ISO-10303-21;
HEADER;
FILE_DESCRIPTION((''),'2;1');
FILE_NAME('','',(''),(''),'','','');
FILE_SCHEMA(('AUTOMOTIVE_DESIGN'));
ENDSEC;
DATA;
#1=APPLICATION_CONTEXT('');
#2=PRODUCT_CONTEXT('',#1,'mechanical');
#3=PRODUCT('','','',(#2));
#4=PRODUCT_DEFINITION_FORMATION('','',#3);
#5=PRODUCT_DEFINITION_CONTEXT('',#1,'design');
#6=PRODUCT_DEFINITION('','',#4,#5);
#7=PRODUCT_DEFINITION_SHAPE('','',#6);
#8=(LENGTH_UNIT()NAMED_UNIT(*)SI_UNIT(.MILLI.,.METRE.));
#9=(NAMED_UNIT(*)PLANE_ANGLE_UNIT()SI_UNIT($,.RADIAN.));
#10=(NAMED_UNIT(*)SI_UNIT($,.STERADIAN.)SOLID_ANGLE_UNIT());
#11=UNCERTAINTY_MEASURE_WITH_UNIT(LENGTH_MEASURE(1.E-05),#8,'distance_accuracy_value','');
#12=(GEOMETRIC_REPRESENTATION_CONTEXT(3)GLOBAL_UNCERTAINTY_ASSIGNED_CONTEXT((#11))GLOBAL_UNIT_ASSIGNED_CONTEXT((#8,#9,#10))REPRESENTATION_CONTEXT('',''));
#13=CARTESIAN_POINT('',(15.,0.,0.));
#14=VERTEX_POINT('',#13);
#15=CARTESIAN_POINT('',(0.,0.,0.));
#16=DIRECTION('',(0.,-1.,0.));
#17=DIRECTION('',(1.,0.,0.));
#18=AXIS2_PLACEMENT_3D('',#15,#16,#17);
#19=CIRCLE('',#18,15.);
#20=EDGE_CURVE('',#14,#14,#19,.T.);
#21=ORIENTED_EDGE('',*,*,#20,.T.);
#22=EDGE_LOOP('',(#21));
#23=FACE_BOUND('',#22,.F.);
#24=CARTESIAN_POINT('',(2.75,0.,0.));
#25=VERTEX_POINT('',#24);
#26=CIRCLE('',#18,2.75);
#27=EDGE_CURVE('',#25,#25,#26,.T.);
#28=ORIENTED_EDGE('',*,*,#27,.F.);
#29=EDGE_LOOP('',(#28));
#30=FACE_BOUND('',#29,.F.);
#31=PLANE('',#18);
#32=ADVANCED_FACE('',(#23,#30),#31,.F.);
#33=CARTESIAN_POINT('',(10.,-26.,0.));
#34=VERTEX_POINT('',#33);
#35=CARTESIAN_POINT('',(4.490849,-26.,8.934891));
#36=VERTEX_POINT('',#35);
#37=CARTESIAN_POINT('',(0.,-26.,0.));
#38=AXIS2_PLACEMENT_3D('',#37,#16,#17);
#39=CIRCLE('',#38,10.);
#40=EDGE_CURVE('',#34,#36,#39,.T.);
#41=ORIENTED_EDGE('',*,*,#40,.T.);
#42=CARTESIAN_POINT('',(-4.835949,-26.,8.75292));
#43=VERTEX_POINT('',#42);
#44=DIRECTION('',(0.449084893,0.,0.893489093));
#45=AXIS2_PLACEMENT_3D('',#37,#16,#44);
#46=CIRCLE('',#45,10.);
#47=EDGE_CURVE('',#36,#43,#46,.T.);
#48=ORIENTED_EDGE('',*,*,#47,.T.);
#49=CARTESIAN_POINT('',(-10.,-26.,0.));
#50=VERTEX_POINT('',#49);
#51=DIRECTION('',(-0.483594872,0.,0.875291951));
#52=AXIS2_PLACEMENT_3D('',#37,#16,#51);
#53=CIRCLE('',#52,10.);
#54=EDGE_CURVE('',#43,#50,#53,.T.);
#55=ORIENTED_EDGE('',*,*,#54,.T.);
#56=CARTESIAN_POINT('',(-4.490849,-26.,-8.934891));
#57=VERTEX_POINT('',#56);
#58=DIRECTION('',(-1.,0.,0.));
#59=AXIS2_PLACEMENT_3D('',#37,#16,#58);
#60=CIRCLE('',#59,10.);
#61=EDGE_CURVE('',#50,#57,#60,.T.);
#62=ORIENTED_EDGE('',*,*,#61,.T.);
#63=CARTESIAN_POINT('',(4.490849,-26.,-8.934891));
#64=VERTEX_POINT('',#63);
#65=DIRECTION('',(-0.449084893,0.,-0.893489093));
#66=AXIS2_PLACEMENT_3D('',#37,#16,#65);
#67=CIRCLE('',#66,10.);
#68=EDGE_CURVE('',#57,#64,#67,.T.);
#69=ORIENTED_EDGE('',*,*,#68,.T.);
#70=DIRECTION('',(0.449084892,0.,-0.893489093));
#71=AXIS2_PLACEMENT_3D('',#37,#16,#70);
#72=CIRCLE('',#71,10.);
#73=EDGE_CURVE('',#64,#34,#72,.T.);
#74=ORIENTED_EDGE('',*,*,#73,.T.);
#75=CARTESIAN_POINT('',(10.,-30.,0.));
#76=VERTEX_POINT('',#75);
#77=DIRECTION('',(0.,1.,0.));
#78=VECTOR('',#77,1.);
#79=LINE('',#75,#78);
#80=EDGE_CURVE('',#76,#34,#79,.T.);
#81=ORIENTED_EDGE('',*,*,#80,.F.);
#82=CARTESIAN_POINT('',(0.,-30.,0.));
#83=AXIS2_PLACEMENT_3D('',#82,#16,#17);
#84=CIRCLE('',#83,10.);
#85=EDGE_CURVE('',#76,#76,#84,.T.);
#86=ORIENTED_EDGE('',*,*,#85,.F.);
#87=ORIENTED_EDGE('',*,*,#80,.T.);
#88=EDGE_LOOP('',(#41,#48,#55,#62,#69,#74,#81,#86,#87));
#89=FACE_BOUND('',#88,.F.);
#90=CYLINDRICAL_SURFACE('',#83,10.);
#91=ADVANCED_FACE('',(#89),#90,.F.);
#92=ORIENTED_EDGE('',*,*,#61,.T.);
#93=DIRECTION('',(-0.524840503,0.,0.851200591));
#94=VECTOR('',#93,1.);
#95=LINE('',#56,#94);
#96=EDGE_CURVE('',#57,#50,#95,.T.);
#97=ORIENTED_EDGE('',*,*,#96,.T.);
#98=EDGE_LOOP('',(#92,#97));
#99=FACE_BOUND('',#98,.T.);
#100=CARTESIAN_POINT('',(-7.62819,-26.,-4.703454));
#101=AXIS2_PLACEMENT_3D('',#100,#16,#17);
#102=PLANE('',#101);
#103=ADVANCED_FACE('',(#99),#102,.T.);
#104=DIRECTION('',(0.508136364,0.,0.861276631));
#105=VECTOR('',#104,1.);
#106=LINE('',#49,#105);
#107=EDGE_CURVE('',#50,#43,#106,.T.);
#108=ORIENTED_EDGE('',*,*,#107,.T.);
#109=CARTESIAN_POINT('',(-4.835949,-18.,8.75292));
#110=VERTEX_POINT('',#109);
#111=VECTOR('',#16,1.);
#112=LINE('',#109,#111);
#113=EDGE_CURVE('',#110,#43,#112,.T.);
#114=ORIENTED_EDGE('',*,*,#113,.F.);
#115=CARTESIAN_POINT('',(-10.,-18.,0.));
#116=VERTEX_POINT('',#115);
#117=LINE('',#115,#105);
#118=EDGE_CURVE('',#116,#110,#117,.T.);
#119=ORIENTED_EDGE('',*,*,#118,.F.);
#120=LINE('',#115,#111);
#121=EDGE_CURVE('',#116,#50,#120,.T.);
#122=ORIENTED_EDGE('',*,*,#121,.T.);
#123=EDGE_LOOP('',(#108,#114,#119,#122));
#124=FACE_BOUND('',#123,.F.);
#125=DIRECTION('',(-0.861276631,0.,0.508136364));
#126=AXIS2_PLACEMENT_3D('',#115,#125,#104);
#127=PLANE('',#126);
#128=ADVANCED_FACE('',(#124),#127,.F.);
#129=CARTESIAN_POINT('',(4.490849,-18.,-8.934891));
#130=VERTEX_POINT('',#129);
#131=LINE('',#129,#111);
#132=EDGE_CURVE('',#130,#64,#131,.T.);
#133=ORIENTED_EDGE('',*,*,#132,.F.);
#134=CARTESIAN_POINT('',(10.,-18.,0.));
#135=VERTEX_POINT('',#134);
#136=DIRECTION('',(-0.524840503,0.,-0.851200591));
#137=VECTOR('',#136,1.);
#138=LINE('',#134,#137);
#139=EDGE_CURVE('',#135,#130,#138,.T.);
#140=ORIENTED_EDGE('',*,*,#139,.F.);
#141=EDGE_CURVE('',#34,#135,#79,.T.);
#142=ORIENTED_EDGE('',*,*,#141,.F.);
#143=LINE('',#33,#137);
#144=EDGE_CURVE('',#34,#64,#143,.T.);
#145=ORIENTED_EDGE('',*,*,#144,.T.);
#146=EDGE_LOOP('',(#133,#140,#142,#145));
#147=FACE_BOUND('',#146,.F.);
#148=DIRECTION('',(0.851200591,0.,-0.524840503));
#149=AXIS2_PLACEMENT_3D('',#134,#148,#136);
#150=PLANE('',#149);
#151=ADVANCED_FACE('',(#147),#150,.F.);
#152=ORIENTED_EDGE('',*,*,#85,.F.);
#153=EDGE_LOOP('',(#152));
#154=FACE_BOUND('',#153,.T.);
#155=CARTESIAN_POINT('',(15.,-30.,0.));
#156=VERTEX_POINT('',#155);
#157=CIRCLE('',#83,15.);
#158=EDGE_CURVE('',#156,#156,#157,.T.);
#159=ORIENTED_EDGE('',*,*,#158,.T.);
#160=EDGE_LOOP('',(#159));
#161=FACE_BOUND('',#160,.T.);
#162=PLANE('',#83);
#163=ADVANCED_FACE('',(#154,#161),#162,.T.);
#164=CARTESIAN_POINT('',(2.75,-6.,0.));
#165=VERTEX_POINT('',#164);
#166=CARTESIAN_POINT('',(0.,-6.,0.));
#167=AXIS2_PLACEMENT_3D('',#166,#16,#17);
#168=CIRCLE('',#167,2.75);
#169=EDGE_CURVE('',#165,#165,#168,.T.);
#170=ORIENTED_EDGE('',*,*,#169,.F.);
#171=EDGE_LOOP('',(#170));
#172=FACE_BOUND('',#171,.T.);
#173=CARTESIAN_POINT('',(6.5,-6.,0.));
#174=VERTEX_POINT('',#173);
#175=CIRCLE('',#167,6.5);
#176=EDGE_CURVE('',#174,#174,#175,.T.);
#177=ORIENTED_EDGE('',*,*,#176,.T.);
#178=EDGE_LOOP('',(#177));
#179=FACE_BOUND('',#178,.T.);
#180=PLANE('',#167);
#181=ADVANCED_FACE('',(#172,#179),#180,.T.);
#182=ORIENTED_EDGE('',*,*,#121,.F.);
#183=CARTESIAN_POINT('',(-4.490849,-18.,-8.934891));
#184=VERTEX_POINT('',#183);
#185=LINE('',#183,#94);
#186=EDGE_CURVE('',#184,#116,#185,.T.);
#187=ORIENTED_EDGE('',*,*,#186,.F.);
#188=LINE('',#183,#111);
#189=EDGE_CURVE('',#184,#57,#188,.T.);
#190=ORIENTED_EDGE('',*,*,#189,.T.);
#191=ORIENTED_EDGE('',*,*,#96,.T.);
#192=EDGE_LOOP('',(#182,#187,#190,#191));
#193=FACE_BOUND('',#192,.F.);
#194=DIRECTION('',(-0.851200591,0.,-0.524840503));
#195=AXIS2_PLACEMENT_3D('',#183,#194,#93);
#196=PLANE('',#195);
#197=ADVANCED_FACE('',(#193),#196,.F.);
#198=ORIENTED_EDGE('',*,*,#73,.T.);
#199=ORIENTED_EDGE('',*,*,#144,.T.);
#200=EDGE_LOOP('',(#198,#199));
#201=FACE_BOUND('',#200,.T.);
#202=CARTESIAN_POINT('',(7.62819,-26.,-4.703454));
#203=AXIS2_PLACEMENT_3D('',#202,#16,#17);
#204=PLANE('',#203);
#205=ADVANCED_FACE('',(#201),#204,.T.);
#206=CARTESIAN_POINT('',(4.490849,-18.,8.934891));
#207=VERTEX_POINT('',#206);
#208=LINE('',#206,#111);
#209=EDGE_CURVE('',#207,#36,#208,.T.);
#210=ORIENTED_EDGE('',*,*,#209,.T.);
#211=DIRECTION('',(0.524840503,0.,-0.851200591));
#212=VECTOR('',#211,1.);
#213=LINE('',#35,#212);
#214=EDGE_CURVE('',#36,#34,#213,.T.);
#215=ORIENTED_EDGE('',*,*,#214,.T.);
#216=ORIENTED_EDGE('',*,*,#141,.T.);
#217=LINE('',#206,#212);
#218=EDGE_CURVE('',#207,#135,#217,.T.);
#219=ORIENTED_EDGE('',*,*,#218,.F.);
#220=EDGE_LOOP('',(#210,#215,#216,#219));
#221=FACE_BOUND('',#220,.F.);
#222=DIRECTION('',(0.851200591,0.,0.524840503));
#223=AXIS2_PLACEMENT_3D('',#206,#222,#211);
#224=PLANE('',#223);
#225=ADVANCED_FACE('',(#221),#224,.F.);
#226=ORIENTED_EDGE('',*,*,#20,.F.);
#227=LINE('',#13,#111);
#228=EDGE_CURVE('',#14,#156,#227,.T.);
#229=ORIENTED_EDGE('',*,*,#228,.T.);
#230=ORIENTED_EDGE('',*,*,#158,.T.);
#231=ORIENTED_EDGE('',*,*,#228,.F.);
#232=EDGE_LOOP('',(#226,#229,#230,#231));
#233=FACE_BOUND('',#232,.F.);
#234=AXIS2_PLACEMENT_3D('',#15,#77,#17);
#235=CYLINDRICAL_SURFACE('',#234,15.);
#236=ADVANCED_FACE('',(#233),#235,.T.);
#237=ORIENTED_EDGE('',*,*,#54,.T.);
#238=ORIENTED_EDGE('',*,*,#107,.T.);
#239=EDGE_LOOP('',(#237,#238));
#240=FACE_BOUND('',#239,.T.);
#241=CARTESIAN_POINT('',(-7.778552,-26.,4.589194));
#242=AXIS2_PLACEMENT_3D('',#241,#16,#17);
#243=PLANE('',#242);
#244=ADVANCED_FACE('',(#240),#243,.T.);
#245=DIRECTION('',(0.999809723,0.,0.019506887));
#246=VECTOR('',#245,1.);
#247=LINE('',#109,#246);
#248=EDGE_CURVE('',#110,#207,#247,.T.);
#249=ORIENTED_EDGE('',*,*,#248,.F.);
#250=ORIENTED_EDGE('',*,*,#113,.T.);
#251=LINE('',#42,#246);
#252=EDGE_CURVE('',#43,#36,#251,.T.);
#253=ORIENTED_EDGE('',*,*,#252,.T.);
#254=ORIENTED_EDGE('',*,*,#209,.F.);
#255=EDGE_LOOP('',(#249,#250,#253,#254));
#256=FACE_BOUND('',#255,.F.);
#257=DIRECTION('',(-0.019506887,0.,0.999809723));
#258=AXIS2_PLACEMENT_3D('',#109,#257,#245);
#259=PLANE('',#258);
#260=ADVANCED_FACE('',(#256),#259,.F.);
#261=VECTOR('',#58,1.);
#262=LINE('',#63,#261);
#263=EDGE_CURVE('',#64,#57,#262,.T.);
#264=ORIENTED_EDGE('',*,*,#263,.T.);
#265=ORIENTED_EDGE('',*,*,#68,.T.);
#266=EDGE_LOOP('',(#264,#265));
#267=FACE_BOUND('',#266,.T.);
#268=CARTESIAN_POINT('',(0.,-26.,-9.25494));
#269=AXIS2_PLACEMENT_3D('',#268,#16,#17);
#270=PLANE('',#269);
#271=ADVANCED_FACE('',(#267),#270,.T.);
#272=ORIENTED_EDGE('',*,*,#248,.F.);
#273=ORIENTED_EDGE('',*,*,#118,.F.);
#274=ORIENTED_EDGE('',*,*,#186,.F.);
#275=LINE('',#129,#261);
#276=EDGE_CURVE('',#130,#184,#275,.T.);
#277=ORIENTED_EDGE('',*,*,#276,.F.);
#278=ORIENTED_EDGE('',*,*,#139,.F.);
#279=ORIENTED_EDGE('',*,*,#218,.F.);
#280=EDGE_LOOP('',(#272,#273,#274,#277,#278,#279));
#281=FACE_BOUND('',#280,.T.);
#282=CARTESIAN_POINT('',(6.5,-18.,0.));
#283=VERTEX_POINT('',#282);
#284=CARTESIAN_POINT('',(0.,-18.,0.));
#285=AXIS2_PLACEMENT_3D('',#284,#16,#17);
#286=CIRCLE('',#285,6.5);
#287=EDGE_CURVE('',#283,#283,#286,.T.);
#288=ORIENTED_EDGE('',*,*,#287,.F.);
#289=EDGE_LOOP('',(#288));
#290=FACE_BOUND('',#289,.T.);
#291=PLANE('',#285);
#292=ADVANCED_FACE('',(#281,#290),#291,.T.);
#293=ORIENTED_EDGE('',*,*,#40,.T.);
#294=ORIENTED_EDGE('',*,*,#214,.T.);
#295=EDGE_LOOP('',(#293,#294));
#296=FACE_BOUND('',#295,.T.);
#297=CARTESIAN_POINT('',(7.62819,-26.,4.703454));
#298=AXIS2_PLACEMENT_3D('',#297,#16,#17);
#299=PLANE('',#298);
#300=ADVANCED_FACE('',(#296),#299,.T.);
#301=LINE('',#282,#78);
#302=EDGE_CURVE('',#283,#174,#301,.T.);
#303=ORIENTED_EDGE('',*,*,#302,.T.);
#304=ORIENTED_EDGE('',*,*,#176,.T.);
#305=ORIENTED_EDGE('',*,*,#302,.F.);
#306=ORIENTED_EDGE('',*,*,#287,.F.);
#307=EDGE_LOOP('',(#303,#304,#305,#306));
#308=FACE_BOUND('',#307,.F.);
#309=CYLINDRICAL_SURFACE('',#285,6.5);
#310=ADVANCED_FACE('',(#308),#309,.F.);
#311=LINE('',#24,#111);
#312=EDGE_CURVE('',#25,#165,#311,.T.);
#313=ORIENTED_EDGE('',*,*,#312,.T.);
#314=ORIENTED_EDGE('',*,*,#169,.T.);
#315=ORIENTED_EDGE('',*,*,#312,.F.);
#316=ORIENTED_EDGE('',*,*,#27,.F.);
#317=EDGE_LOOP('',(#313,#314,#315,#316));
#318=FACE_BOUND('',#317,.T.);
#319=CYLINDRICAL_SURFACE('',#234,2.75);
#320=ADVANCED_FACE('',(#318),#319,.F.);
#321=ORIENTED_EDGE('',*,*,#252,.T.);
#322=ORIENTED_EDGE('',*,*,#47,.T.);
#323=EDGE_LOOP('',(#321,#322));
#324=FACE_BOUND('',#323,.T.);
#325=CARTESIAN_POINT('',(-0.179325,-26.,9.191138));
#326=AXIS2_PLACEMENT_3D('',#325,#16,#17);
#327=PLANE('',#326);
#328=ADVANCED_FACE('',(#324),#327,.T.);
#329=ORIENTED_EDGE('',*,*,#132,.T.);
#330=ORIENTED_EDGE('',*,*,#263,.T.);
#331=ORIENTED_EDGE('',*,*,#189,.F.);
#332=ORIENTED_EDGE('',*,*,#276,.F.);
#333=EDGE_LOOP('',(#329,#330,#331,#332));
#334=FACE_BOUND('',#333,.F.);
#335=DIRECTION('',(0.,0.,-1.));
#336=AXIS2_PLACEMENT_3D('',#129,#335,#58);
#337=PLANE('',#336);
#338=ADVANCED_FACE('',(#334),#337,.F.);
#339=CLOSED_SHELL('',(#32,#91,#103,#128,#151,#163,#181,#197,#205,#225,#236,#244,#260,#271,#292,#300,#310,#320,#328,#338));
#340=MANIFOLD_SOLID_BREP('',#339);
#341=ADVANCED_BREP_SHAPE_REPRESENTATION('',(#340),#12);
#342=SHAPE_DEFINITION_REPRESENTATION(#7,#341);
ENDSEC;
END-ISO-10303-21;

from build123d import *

# Parameters (mm, degrees)
F0_R     = 15
F0_R_2   = 9.25
F0_R_3   = 4.5
F0_R_4   = 2.75
F1_DEPTH = 30
F2_R     = 10
F2_R_2   = 2.75
F3_DEPTH = 12
F4_R     = 6.5
F4_R_2   = 2.75
F5_DEPTH = 12
F7_DEPTH = 8


with BuildPart() as f1:
    # F0 (on Front) → F1 (new body)
    with BuildSketch(Plane.XZ):
        Circle(F0_R)
        Circle(F0_R_2, mode=Mode.SUBTRACT)
        Circle(F0_R_2)
        Circle(F0_R_3, mode=Mode.SUBTRACT)
        Circle(F0_R_3)
        Circle(F0_R_4, mode=Mode.SUBTRACT)
    extrude(amount=F1_DEPTH)

    # F2 (on face) → F3 (cut)
    with BuildSketch(Plane.XZ.offset(30)):
        Circle(F2_R)
        Circle(F2_R_2, mode=Mode.SUBTRACT)
    extrude(amount=-F3_DEPTH, mode=Mode.SUBTRACT)

    # F4 (on face) → F5 (cut)
    with BuildSketch(Plane.XZ.offset(18)):
        Circle(F4_R)
        Circle(F4_R_2, mode=Mode.SUBTRACT)
    extrude(amount=-F5_DEPTH, mode=Mode.SUBTRACT)

    # F6 (on face) → F7 (join)
    with BuildSketch(Plane.XZ.offset(18)):
        with BuildLine():
            ThreePointArc((4.4908489249, 8.9348909301), (-0.195068874, 9.9980972257), (-4.8359487164, 8.7529195137))
            Line((-4.8359487164, 8.7529195137), (4.4908489249, 8.9348909301))
        make_face()
        with BuildLine():
            ThreePointArc((10, 0), (8.5120059107, 5.2484050316), (4.4908489249, 8.9348909301))
            Line((4.4908489249, 8.9348909301), (10, 0))
        make_face()
        with BuildLine():
            ThreePointArc((4.4908489249, -8.9348909301), (8.5120059107, -5.2484050316), (10, 0))
            Line((10, 0), (4.4908489249, -8.9348909301))
        make_face()
        with BuildLine():
            Line((4.4908489249, -8.9348909301), (-4.4908489249, -8.9348909301))
            ThreePointArc((-4.4908489249, -8.9348909301), (0, -10), (4.4908489249, -8.9348909301))
        make_face()
        with BuildLine():
            Line((-4.4908489249, -8.9348909301), (-10, 0))
            ThreePointArc((-10, 0), (-8.5120059107, -5.2484050316), (-4.4908489249, -8.9348909301))
        make_face()
        with BuildLine():
            Line((-10, 0), (-4.8359487164, 8.7529195137))
            ThreePointArc((-4.8359487164, 8.7529195137), (-8.6127663141, 5.0813636377), (-10, 0))
        make_face()
    extrude(amount=F7_DEPTH)


solid = f1.part
